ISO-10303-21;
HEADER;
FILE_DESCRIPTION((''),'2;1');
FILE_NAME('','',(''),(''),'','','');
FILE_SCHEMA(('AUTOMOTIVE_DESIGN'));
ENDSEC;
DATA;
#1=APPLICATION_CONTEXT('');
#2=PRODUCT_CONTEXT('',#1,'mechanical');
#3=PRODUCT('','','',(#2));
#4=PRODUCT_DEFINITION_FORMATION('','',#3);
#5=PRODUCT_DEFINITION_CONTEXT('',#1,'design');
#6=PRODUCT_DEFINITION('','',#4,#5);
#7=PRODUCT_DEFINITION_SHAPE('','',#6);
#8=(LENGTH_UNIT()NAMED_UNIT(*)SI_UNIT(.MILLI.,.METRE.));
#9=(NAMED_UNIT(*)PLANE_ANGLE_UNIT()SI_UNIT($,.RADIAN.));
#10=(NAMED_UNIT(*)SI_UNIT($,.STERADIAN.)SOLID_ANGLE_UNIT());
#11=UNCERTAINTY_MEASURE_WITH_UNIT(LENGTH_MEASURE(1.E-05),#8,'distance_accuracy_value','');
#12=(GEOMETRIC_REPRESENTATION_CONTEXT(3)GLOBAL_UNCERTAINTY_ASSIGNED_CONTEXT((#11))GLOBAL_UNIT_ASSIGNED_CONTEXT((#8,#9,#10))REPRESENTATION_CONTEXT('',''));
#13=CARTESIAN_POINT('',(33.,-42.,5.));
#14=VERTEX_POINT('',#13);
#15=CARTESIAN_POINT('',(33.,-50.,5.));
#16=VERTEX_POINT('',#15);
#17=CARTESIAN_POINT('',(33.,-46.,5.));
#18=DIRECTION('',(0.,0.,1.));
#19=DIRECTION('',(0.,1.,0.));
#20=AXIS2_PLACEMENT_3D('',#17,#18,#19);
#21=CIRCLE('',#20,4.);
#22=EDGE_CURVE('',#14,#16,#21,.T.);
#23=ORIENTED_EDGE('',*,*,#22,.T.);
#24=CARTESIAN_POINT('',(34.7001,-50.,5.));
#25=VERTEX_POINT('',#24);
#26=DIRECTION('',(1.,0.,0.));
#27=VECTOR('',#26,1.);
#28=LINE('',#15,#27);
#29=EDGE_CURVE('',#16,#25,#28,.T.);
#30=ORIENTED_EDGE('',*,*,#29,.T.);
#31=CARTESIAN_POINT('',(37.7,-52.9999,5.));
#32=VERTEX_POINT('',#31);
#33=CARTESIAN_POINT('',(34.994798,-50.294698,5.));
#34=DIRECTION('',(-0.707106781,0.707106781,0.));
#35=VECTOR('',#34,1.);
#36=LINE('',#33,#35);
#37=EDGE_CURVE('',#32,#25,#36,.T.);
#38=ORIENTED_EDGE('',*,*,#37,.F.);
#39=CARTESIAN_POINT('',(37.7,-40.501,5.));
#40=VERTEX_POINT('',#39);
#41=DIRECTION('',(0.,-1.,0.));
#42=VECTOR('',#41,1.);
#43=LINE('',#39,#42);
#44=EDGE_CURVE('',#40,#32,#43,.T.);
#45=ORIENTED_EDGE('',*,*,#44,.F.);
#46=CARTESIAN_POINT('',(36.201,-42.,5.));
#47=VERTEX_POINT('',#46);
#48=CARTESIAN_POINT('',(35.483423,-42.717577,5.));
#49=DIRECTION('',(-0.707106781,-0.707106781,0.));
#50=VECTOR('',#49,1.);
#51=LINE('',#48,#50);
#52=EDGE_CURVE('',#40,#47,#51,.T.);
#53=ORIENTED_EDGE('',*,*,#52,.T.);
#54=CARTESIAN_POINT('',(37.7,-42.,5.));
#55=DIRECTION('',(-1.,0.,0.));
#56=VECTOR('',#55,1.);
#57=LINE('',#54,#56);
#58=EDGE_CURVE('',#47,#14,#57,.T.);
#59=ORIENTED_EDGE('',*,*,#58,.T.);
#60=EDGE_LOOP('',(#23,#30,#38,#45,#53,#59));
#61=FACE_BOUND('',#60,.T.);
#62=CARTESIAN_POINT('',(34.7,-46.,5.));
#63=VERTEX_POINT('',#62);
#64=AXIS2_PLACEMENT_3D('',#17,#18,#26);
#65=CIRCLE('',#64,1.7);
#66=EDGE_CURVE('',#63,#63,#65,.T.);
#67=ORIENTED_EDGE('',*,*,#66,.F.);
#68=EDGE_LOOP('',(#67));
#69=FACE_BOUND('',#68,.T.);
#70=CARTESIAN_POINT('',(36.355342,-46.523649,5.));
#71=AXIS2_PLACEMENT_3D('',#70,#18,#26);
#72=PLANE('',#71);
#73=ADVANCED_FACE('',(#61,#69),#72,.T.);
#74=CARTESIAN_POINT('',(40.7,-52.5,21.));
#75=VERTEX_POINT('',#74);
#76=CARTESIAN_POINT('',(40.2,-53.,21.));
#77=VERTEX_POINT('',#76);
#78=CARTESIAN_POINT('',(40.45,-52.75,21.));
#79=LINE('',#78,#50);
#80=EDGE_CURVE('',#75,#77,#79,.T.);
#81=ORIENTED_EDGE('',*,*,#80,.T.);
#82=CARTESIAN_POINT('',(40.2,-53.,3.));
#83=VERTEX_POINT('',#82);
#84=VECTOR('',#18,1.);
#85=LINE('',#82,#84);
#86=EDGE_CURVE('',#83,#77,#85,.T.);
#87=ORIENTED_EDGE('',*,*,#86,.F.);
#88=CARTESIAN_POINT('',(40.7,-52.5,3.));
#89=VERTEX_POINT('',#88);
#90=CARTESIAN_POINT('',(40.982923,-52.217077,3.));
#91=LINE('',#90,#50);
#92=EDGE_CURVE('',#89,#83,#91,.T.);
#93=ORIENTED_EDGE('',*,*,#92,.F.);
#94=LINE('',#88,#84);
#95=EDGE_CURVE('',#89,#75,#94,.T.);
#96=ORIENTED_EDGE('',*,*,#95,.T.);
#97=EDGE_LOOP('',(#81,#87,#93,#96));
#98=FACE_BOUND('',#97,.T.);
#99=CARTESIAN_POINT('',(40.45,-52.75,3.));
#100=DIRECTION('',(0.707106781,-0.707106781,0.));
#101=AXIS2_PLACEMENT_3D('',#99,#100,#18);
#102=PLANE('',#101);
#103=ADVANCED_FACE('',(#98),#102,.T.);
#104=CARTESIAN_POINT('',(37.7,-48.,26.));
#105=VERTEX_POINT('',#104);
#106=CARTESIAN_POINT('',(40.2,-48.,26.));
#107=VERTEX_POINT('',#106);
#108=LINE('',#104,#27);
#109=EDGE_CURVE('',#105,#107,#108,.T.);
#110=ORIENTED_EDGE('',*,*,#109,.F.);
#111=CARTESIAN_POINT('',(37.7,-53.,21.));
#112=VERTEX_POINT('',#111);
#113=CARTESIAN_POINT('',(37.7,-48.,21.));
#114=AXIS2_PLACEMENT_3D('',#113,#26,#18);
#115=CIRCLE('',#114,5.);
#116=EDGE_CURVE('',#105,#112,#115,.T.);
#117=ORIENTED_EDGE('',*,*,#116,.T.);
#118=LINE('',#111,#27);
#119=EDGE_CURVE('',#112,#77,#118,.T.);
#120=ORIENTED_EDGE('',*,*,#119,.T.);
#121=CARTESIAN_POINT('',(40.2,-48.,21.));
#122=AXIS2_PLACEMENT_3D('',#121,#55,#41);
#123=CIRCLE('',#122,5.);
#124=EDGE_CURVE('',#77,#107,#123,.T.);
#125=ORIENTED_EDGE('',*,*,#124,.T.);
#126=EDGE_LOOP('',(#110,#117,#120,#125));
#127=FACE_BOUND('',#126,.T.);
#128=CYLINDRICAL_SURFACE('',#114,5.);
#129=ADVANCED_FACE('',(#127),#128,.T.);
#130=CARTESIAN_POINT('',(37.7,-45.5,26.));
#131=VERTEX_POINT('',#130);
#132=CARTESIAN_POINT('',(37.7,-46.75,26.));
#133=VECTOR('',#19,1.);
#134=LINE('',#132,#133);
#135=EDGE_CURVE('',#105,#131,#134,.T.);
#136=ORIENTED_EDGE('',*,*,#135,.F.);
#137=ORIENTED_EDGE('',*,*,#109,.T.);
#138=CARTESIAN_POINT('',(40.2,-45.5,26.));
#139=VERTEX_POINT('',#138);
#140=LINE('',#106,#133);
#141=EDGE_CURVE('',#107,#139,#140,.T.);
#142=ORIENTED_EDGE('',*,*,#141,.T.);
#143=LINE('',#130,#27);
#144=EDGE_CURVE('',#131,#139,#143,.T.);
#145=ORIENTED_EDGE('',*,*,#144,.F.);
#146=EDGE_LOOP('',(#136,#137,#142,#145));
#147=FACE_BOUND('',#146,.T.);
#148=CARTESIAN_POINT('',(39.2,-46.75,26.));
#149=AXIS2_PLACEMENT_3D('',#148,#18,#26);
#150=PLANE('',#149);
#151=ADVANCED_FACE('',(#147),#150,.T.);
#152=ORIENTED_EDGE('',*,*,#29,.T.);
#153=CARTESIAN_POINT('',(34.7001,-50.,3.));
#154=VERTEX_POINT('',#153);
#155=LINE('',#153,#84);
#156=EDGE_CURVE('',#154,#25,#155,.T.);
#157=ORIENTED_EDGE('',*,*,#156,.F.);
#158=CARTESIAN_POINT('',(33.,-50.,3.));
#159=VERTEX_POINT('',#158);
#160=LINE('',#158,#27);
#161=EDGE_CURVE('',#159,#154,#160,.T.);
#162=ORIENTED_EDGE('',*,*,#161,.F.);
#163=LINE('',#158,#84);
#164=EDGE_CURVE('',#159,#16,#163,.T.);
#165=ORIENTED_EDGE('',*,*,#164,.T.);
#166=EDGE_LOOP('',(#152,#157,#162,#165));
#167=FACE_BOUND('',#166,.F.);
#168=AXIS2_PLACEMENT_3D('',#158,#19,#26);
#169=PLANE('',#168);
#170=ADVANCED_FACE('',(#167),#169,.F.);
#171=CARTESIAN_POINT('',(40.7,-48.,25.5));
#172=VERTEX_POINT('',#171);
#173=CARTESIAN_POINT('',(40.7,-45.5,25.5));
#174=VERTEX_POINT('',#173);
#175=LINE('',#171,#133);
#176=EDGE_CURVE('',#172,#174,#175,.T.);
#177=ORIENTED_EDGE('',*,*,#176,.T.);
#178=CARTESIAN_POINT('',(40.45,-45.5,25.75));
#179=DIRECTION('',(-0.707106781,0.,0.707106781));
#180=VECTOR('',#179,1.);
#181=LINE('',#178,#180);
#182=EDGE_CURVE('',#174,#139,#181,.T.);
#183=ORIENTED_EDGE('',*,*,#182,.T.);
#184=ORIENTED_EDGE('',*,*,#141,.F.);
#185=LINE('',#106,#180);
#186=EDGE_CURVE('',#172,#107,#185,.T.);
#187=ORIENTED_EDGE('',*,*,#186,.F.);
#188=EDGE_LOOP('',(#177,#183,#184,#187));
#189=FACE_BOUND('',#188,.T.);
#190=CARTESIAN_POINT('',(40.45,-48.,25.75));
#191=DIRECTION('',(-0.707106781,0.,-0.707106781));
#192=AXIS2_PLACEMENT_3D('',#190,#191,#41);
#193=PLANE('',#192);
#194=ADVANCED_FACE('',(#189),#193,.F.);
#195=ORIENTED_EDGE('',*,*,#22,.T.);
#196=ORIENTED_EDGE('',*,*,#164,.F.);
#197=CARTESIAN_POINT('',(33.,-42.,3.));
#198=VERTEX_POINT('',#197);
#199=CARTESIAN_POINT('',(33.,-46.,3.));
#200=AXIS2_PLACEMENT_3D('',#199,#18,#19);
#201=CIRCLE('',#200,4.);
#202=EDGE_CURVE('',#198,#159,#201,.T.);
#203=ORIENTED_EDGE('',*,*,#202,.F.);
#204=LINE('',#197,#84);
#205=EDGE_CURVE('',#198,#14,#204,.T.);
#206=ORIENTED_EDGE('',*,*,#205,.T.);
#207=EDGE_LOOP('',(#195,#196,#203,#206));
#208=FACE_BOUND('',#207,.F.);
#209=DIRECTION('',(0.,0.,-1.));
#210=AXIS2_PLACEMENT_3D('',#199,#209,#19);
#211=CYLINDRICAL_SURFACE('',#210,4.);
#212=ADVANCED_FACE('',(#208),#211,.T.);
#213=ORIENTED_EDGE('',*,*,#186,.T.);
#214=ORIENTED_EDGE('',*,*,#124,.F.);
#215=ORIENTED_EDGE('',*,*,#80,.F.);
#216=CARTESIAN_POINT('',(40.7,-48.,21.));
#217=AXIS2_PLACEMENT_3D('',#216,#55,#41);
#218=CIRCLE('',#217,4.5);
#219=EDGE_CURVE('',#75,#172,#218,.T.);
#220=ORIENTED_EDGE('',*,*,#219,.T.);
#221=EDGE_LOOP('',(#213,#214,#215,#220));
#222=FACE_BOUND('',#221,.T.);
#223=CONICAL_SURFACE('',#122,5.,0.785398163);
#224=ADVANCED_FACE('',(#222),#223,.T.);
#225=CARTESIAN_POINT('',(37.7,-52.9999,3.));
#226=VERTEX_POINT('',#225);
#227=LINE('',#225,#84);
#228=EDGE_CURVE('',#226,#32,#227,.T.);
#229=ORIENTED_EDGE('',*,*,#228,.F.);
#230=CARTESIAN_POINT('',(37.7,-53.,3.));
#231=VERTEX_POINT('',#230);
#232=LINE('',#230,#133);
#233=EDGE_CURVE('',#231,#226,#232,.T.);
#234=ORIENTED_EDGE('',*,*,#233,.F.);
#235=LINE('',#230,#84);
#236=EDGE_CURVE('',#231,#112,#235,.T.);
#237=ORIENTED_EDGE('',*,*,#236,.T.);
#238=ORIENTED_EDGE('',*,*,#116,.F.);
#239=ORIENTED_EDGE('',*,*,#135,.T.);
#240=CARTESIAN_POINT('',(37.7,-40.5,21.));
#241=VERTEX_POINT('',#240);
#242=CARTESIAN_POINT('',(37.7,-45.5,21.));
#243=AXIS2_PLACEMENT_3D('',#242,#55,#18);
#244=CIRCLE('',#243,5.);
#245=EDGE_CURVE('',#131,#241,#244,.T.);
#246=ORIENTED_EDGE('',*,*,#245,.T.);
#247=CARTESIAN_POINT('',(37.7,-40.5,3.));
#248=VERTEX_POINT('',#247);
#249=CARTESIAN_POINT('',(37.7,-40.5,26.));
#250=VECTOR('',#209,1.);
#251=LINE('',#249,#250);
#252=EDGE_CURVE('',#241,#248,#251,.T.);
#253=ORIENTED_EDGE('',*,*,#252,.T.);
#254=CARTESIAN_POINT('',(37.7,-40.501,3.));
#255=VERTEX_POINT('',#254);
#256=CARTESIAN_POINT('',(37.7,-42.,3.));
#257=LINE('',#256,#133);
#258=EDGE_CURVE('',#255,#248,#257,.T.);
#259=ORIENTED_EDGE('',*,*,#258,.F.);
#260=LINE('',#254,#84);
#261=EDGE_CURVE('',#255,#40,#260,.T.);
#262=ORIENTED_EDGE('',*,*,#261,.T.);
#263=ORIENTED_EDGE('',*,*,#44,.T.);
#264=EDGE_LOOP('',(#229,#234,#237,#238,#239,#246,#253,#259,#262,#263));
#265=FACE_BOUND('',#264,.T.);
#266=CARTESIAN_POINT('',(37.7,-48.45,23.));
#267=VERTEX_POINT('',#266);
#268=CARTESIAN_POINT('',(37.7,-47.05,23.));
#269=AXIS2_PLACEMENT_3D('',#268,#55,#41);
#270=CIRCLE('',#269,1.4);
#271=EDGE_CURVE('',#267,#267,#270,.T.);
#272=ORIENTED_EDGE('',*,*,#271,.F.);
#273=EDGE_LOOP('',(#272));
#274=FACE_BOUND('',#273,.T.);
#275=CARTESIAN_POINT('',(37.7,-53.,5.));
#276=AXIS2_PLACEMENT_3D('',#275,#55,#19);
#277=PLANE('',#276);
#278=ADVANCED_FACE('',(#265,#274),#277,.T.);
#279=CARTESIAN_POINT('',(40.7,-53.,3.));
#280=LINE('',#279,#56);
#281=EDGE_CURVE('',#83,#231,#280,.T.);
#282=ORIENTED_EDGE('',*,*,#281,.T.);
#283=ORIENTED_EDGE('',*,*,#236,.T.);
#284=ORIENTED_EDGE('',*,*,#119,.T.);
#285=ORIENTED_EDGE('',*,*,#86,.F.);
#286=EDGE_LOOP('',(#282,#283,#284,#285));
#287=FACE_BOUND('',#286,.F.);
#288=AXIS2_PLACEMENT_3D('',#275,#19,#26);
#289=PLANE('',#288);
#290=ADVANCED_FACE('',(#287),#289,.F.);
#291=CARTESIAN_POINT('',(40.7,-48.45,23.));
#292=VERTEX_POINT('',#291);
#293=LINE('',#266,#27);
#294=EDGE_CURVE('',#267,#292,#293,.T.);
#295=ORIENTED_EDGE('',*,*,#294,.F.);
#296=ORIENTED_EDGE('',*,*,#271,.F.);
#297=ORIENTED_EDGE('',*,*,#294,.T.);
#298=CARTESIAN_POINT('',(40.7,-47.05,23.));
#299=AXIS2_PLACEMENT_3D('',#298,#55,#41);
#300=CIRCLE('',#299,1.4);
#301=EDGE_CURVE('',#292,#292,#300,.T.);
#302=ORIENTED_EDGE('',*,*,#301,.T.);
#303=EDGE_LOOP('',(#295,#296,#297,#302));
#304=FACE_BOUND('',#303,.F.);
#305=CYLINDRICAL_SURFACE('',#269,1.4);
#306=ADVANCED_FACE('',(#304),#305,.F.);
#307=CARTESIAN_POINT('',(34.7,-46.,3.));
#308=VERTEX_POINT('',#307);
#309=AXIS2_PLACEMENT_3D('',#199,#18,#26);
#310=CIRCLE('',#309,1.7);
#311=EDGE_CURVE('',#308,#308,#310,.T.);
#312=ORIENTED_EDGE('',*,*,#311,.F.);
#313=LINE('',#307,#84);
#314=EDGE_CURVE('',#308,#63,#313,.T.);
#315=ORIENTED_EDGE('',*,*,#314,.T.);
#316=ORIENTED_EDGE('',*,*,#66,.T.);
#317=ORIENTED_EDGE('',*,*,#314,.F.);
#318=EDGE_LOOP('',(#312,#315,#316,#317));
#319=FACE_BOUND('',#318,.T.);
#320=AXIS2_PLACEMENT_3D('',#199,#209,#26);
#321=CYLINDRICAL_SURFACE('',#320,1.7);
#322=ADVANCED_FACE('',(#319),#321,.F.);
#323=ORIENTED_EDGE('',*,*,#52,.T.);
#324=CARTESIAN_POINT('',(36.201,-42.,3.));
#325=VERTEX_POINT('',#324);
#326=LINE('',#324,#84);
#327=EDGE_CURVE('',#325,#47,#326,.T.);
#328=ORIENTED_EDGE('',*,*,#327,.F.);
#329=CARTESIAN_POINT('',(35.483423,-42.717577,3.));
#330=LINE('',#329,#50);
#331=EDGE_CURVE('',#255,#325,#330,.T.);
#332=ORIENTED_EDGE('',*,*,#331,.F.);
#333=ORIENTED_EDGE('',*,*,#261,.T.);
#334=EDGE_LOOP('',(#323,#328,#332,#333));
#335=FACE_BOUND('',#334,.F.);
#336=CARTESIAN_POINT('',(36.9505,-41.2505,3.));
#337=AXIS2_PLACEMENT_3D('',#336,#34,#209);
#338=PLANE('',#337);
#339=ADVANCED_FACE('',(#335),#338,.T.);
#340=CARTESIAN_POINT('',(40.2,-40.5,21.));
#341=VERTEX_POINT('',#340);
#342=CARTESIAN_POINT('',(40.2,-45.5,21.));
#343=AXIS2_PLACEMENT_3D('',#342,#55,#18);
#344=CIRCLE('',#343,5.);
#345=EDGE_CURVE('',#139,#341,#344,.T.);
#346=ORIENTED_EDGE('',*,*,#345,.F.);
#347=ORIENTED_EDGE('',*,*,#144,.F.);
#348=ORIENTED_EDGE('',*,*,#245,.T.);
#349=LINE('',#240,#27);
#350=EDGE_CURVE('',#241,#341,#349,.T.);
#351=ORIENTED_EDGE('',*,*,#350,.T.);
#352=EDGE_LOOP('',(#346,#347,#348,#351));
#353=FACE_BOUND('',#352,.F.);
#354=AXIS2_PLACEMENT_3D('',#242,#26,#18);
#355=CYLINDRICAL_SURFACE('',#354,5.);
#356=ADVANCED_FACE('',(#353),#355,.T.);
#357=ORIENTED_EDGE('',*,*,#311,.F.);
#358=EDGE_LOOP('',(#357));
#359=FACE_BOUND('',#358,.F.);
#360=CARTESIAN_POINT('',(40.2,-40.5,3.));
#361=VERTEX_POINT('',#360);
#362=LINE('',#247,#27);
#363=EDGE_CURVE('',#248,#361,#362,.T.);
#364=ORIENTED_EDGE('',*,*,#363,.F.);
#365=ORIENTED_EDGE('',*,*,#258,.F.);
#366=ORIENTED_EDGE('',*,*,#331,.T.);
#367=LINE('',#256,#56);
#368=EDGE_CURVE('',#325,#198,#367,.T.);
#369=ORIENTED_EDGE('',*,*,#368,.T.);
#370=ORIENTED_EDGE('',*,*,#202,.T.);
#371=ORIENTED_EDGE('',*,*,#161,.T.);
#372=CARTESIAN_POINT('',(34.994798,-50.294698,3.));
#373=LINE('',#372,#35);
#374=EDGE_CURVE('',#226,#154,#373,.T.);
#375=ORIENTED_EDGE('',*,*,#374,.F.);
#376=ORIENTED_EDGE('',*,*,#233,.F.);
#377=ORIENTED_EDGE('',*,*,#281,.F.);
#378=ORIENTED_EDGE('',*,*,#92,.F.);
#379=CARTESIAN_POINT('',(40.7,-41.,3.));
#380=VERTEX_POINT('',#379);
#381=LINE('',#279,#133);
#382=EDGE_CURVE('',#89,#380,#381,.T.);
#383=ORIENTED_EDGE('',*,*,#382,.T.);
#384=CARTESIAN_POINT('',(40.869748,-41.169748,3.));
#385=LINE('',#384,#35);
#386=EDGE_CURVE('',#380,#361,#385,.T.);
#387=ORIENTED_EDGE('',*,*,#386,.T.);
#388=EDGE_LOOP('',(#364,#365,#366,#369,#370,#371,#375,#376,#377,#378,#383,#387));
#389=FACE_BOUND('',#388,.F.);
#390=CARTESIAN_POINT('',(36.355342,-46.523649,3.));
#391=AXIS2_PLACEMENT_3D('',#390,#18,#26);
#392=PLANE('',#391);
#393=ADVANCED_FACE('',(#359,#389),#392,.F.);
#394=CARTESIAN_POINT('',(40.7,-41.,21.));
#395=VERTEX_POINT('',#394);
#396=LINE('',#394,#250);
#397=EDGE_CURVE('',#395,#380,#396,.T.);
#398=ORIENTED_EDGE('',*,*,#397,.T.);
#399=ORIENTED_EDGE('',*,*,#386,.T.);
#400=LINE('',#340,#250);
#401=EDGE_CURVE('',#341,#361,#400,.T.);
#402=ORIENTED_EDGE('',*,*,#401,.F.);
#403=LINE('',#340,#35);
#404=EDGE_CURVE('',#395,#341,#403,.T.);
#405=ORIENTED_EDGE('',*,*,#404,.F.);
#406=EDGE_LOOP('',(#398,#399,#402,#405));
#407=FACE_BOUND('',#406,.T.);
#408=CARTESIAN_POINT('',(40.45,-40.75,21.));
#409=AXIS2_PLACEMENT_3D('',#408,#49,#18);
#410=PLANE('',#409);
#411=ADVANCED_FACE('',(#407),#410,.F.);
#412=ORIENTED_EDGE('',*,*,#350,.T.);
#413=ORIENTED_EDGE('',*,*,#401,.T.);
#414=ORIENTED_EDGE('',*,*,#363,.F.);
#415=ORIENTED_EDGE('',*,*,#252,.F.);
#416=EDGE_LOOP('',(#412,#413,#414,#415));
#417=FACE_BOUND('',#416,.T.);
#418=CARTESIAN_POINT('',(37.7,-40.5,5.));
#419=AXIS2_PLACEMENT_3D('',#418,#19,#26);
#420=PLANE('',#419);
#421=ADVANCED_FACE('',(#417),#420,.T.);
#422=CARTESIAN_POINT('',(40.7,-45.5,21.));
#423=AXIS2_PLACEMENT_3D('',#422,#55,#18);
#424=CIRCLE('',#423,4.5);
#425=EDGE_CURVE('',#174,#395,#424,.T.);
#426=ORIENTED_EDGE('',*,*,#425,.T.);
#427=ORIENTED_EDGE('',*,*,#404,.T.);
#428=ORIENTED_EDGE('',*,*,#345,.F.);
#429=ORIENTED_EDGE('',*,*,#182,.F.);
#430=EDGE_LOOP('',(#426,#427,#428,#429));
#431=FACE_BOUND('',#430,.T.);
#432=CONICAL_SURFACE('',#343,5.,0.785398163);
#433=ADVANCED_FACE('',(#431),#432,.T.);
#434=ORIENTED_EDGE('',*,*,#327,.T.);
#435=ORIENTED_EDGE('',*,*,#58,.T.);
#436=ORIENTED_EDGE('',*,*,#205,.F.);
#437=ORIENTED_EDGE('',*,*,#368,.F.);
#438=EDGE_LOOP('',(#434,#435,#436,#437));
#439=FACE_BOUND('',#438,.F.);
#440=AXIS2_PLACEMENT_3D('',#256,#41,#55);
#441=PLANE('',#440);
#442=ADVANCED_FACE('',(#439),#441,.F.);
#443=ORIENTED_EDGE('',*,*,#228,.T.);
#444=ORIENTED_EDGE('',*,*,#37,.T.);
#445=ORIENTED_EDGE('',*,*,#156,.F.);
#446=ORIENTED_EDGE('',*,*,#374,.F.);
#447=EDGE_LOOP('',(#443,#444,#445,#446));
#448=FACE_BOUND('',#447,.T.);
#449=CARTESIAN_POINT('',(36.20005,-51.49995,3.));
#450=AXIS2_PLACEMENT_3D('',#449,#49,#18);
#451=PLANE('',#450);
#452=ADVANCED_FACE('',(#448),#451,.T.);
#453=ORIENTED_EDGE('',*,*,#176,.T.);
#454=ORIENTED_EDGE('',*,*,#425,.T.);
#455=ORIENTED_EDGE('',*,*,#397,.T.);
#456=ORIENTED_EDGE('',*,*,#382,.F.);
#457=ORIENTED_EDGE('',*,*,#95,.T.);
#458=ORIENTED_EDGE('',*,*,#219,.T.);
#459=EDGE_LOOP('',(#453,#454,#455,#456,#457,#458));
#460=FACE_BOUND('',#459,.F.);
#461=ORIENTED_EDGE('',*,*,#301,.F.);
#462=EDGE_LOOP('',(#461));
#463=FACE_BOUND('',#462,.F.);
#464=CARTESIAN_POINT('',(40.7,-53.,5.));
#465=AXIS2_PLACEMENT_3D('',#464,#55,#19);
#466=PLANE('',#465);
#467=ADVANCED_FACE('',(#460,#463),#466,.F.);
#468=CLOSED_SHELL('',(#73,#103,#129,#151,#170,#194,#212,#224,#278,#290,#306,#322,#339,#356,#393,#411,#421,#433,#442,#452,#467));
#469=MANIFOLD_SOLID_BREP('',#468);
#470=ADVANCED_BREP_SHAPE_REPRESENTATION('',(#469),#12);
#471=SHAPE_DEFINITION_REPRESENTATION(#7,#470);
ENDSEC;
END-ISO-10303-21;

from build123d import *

# Parameters (mm, degrees)
SKETCH011_R     = 1.7
PAD007_DEPTH    = 2
SKETCH012_W     = 3
SKETCH012_H     = 12.5
PAD008_DEPTH    = 21
SKETCH013_R     = 1.4
POCKET004_DEPTH = 5
FILLET007_R     = 5
CHAMFER003_SIZE = 1.499
CHAMFER004_SIZE = 2.9999
CHAMFER005_SIZE = 0.5


with BuildPart() as part:
    # Sketch011 → Pad007 (new body)
    with BuildSketch(Plane.XY):
        with BuildLine():
            Line((0, -4), (4.7, -4))
            Line((4.7, -7), (4.7, -4))
            Line((7.7, -7), (4.7, -7))
            Line((7.7, -7), (7.7, 5.5))
            Line((4.7, 5.5), (7.7, 5.5))
            Line((4.7, 4), (4.7, 5.5))
            Line((4.7, 4), (0, 4))
            ThreePointArc((0, 4), (-4, 0), (0, -4))
        make_face()
        Circle(SKETCH011_R, mode=Mode.SUBTRACT)
    extrude(amount=PAD007_DEPTH)

    # Sketch012 (on Face11 of Pad007) → Pad008 (join)
    with BuildSketch(Plane.XY.offset(2)):
        with Locations((6.2, -0.75)):
            Rectangle(SKETCH012_W, SKETCH012_H)
    extrude(amount=PAD008_DEPTH)

    # Sketch013 (on Face7 of Pad008) → Pocket004 (cut)
    with BuildSketch(Plane(origin=(4.7, 0, 0), x_dir=(0, -1, 0), z_dir=(-1, 0, 0))):
        with Locations((1.05, 20)):
            Circle(SKETCH013_R)
    extrude(amount=-POCKET004_DEPTH, mode=Mode.SUBTRACT)

    # Fillet007
    fillet007_edges = [part.edges().sort_by_distance(p)[0] for p in [
        (6.2, 5.5, 23),
        (6.2, -7, 23),
    ]]
    fillet(fillet007_edges, radius=FILLET007_R)

    # Chamfer003
    chamfer003_edges = [part.edges().sort_by_distance(p)[0] for p in [
        (4.7, 4, 1),
    ]]
    chamfer(chamfer003_edges, length=CHAMFER003_SIZE)

    # Chamfer004
    chamfer004_edges = [part.edges().sort_by_distance(p)[0] for p in [
        (4.7, -4, 1),
    ]]
    chamfer(chamfer004_edges, length=CHAMFER004_SIZE)

    # Chamfer005
    chamfer005_edges = [part.edges().sort_by_distance(p)[0] for p in [
        (7.7, 5.5, 10),
    ]]
    chamfer(chamfer005_edges, length=CHAMFER005_SIZE)


with BuildPart() as part_1:
    # Body006 placement: moved
    add(part.part.moved(Location((33, -46, 3))))


solid = part_1.part
